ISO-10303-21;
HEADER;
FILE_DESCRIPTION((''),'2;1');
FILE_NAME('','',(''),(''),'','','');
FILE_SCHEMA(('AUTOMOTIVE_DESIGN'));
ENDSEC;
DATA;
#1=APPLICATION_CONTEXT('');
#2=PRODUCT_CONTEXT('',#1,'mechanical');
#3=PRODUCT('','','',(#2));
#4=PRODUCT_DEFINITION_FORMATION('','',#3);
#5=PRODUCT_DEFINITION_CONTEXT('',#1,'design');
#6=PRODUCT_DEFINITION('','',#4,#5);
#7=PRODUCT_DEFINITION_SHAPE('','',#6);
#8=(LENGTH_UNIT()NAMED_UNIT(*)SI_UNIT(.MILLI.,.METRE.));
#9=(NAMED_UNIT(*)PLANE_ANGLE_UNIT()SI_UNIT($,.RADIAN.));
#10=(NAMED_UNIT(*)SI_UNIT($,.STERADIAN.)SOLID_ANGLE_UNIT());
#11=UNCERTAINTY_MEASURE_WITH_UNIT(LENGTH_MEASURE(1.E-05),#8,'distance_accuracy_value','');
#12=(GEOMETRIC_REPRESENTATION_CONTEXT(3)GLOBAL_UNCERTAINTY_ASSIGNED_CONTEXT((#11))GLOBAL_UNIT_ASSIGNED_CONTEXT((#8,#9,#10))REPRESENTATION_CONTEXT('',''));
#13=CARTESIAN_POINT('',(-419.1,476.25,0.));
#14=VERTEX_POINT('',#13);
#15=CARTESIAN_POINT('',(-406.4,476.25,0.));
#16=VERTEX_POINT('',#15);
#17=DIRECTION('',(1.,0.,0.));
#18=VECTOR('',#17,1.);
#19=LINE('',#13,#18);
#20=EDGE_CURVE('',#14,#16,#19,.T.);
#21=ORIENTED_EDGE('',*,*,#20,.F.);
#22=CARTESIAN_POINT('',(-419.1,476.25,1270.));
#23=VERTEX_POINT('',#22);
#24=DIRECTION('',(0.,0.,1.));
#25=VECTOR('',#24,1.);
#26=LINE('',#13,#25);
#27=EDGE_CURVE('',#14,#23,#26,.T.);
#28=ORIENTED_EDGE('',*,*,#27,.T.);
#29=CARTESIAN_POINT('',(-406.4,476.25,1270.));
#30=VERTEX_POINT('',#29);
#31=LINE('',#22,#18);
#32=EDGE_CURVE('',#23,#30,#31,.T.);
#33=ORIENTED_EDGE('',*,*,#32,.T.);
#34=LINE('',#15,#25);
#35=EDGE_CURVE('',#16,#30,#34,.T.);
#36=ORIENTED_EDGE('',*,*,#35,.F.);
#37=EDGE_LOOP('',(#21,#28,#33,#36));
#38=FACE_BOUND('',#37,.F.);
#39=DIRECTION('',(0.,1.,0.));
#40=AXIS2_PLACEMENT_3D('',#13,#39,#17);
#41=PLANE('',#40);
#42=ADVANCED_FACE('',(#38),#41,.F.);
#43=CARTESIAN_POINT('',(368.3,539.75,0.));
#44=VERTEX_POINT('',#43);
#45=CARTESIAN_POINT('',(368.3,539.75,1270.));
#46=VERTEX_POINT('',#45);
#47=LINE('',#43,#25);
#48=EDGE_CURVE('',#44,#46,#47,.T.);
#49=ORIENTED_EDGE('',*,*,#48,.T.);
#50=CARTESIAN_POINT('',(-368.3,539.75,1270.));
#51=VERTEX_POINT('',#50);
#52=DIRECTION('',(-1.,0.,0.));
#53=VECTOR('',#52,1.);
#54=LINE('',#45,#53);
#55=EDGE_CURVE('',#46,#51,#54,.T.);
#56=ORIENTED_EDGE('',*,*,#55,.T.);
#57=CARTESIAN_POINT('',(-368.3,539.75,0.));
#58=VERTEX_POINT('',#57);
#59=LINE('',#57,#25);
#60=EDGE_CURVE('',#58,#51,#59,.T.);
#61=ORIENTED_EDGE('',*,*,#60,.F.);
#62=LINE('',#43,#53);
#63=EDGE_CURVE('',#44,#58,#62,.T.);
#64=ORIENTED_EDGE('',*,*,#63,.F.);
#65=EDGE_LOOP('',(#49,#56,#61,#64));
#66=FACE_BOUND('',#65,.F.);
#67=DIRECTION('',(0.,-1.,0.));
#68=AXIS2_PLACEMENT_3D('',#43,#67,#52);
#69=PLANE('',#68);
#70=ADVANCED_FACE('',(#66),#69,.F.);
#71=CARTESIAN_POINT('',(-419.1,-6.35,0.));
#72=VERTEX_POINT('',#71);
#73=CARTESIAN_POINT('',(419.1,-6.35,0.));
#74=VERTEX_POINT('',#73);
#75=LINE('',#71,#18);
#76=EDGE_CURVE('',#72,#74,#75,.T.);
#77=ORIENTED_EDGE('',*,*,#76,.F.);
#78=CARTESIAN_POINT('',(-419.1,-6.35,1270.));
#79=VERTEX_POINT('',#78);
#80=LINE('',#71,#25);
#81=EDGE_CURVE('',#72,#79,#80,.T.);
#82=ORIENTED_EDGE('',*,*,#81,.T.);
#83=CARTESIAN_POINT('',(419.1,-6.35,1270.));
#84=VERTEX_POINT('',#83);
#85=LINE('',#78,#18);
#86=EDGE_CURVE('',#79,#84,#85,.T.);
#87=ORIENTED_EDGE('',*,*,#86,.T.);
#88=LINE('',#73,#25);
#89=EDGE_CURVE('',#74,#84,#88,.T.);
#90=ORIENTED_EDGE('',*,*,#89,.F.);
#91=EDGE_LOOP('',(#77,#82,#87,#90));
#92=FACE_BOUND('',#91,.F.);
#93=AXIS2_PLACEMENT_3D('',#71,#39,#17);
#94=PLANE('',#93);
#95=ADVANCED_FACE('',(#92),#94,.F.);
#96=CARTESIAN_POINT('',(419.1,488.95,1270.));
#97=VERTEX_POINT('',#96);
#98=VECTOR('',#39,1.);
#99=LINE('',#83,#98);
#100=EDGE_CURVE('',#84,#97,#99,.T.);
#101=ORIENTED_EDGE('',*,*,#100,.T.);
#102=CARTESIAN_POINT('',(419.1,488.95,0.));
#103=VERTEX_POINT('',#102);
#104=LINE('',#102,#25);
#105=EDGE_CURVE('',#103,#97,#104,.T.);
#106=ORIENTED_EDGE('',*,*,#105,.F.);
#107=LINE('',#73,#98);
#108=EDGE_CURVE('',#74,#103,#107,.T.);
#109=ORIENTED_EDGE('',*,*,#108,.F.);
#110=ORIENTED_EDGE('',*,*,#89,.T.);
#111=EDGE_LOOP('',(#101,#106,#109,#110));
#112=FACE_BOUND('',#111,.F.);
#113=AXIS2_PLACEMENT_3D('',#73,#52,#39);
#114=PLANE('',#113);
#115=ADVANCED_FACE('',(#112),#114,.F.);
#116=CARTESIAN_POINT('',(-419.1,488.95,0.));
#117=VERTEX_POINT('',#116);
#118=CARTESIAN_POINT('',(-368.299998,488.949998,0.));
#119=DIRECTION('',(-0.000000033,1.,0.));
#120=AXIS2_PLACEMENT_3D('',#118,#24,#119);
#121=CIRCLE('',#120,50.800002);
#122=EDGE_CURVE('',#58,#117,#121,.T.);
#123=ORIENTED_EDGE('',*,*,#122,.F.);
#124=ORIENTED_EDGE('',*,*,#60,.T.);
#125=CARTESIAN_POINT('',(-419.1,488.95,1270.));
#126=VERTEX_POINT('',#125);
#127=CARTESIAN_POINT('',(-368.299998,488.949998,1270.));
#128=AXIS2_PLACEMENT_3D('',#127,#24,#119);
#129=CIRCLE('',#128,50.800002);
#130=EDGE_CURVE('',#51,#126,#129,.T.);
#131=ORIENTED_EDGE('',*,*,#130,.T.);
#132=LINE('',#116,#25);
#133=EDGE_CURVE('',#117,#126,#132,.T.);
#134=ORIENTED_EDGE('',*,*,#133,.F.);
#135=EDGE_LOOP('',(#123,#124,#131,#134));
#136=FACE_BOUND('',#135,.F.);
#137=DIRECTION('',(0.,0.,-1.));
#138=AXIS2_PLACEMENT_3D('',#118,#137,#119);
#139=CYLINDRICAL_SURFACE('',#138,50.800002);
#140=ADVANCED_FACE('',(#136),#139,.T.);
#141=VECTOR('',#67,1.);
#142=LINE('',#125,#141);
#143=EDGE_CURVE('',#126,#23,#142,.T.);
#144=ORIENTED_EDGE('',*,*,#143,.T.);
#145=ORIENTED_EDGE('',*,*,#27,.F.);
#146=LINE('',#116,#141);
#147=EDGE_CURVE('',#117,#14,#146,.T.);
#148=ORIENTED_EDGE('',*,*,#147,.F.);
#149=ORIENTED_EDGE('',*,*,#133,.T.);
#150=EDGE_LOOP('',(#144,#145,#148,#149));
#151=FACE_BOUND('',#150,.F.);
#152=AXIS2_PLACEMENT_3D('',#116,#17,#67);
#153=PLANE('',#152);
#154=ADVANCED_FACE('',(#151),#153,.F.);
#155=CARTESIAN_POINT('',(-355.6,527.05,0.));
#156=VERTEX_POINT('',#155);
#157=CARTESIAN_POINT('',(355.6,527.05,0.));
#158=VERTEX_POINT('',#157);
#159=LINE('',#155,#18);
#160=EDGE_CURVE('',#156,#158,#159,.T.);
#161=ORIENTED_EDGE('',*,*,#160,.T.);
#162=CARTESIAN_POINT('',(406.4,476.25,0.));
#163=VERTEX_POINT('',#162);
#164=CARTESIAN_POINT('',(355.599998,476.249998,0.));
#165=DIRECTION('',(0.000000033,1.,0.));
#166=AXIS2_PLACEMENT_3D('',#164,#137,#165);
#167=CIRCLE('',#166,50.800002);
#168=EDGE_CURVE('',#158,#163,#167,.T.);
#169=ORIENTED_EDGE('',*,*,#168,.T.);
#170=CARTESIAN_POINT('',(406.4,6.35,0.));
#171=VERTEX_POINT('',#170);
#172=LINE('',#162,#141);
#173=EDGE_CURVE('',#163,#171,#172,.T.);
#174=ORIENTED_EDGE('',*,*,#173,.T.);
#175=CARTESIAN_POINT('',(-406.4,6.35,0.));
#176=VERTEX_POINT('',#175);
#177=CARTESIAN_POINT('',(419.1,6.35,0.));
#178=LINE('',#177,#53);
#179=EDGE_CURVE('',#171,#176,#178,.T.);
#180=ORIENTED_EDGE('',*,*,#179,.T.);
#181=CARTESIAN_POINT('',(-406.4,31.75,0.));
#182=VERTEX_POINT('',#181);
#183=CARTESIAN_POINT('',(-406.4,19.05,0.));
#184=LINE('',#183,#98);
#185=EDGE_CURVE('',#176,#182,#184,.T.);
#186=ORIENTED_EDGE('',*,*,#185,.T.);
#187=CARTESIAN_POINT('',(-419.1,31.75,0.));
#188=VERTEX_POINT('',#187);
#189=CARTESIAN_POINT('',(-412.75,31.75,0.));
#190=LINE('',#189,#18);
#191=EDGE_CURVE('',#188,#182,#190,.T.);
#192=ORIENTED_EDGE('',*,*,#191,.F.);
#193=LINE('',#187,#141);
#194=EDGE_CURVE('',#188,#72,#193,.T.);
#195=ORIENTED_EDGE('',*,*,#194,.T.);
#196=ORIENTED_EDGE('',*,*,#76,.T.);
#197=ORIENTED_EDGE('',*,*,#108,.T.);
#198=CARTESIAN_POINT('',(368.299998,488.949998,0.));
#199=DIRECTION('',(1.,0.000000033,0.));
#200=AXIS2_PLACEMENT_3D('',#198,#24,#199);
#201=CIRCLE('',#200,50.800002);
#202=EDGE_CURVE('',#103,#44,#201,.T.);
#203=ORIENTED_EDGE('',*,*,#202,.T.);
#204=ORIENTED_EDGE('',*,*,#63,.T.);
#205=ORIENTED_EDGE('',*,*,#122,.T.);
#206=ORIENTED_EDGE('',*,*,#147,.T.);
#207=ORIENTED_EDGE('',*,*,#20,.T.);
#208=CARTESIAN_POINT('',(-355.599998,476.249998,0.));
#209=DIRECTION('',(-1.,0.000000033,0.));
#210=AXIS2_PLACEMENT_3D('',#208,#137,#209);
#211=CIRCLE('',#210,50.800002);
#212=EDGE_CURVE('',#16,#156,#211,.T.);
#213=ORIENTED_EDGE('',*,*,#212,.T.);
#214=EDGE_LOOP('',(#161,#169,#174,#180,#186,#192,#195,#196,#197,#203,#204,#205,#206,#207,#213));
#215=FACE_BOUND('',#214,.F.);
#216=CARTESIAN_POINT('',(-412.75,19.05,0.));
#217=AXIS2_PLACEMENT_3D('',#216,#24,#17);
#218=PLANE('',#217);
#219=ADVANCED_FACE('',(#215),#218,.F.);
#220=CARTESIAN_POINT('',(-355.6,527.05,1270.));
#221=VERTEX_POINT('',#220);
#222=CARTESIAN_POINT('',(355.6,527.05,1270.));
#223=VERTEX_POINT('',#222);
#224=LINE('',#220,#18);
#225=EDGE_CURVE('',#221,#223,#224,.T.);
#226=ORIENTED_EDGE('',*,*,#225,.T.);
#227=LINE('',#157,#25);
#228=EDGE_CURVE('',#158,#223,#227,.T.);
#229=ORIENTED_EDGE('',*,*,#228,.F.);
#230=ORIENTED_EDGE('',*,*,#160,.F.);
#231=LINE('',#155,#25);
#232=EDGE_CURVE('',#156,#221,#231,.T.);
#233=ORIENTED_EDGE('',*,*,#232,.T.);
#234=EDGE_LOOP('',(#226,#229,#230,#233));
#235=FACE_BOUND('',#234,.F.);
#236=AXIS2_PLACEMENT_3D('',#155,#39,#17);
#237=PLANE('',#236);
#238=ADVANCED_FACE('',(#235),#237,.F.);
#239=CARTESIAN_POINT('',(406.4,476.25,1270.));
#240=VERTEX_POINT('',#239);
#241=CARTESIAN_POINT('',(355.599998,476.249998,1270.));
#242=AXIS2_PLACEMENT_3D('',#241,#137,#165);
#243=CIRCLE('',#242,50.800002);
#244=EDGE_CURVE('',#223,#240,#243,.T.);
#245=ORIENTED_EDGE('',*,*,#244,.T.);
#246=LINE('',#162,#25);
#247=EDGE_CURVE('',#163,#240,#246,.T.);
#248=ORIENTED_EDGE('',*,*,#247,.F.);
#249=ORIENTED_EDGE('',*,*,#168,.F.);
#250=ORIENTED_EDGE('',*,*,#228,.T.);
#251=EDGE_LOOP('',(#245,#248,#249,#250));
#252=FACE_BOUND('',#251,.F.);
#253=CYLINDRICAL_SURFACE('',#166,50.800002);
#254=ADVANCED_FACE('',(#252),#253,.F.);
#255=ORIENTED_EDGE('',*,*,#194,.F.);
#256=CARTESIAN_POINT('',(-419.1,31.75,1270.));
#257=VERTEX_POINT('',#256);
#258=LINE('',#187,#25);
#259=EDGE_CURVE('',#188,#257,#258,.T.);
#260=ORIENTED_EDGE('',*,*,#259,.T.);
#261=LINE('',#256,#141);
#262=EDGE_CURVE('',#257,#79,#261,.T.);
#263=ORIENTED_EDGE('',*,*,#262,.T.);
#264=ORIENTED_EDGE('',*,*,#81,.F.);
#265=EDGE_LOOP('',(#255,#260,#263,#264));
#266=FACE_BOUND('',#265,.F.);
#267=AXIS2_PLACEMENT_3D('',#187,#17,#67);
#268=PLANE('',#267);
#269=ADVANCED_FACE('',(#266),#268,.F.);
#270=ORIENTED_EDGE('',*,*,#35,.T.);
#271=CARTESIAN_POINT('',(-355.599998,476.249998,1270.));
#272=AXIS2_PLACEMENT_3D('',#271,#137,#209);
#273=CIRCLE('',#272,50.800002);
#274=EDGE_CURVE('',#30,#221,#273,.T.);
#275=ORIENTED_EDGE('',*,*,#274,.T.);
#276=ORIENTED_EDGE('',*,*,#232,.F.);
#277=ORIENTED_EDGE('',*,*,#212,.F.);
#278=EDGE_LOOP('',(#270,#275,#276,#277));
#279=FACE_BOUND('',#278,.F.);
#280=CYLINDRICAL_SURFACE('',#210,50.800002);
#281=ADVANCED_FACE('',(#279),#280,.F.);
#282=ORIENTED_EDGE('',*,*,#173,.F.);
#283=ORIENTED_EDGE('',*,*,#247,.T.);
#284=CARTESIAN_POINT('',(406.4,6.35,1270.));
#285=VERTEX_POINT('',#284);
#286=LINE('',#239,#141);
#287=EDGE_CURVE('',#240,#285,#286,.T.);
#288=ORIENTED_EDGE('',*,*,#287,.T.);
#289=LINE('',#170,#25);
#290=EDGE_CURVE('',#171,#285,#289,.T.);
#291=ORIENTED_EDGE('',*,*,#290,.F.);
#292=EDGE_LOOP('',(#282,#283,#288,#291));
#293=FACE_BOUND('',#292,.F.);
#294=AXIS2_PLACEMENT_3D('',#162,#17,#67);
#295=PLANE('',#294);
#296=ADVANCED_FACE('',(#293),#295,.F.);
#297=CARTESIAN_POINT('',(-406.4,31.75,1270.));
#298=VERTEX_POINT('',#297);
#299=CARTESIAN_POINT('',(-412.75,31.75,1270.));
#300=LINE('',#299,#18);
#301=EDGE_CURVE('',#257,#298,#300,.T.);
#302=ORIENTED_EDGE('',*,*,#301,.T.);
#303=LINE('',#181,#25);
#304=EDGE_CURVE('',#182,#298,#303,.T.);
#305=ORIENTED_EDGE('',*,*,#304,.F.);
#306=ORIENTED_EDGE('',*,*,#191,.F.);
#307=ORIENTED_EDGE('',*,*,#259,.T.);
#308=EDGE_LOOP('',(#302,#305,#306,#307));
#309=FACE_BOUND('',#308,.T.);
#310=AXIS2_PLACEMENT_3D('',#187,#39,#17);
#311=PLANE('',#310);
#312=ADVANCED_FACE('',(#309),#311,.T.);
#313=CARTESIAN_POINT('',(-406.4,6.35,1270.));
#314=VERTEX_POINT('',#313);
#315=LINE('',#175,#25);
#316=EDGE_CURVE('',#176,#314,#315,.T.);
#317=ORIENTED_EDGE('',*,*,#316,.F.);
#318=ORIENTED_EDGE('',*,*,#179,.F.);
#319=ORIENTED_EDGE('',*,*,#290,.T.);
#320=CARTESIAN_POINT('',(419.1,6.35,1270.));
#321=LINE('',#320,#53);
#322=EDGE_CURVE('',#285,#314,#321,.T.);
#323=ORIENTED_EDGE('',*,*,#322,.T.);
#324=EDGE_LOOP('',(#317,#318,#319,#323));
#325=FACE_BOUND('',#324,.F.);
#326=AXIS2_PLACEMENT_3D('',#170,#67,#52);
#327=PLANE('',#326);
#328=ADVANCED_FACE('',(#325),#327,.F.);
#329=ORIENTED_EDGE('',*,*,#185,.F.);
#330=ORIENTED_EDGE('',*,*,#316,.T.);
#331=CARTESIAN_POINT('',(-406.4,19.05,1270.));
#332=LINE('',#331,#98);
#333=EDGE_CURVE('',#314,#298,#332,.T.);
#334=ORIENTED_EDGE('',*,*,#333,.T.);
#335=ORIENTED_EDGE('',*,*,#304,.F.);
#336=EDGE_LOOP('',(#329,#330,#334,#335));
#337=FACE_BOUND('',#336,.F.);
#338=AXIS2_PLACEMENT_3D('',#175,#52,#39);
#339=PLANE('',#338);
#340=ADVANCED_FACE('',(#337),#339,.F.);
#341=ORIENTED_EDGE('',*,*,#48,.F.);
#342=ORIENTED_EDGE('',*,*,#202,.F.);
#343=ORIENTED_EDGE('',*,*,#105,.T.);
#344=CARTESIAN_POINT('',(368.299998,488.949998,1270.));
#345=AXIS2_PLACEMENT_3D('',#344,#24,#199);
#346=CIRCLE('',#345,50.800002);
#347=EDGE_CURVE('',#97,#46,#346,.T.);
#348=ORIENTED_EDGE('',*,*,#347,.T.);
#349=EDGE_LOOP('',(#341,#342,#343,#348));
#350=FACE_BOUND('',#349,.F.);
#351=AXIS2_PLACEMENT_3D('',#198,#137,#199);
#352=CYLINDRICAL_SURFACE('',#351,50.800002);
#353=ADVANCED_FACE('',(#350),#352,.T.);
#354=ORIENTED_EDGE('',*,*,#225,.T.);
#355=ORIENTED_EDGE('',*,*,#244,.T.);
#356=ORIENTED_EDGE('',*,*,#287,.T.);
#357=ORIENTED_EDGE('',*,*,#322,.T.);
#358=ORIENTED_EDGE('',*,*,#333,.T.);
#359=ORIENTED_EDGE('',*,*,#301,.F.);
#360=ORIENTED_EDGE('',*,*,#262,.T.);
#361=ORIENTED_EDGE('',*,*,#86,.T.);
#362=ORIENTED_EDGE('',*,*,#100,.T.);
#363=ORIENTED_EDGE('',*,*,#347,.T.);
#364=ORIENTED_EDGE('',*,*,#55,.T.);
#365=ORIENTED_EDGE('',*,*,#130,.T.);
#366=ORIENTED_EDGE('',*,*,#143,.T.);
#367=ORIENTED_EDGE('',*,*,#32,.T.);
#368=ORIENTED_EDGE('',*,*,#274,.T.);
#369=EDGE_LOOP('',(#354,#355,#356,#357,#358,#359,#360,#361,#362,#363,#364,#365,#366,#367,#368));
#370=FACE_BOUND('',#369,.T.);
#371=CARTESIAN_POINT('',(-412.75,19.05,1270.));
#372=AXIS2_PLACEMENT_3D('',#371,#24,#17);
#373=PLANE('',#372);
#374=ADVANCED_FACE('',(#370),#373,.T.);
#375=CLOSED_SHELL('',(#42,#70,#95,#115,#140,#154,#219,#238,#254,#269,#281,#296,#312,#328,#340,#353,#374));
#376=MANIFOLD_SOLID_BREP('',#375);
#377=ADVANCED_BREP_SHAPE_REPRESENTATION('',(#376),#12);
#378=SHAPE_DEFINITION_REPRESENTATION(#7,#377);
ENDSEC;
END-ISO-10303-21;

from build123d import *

# Parameters (mm, degrees)
F0_W     = 12.7
F0_H     = 25.4
F1_DEPTH = 1270


with BuildPart() as f1:
    # F0 (on Top) → F1 (new body)
    with BuildSketch(Plane.XY):
        with Locations((-412.75, 19.05)):
            Rectangle(F0_W, F0_H)
        Polygon((-406.4, 6.35), (-419.1, 6.35), (-419.1, -6.35), (419.1, -6.35), (419.1, 6.35), (406.4, 6.35), align=None)
        with BuildLine():
            Line((406.4, 476.25), (406.4, 6.35))
            Line((406.4, 6.35), (419.1, 6.35))
            Line((419.1, 6.35), (419.1, 488.95))
            ThreePointArc((419.1, 488.95), (404.221024, 524.871024), (368.3, 539.75))
            Line((368.3, 539.75), (-368.3, 539.75))
            ThreePointArc((-368.3, 539.75), (-404.221024, 524.871024), (-419.1, 488.95))
            Line((-419.1, 488.95), (-419.1, 476.25))
            Line((-419.1, 476.25), (-406.4, 476.25))
            ThreePointArc((-406.4, 476.25), (-391.521024, 512.171024), (-355.6, 527.05))
            Line((-355.6, 527.05), (355.6, 527.05))
            ThreePointArc((355.6, 527.05), (391.521024, 512.171024), (406.4, 476.25))
        make_face()
    extrude(amount=F1_DEPTH)


solid = f1.part
